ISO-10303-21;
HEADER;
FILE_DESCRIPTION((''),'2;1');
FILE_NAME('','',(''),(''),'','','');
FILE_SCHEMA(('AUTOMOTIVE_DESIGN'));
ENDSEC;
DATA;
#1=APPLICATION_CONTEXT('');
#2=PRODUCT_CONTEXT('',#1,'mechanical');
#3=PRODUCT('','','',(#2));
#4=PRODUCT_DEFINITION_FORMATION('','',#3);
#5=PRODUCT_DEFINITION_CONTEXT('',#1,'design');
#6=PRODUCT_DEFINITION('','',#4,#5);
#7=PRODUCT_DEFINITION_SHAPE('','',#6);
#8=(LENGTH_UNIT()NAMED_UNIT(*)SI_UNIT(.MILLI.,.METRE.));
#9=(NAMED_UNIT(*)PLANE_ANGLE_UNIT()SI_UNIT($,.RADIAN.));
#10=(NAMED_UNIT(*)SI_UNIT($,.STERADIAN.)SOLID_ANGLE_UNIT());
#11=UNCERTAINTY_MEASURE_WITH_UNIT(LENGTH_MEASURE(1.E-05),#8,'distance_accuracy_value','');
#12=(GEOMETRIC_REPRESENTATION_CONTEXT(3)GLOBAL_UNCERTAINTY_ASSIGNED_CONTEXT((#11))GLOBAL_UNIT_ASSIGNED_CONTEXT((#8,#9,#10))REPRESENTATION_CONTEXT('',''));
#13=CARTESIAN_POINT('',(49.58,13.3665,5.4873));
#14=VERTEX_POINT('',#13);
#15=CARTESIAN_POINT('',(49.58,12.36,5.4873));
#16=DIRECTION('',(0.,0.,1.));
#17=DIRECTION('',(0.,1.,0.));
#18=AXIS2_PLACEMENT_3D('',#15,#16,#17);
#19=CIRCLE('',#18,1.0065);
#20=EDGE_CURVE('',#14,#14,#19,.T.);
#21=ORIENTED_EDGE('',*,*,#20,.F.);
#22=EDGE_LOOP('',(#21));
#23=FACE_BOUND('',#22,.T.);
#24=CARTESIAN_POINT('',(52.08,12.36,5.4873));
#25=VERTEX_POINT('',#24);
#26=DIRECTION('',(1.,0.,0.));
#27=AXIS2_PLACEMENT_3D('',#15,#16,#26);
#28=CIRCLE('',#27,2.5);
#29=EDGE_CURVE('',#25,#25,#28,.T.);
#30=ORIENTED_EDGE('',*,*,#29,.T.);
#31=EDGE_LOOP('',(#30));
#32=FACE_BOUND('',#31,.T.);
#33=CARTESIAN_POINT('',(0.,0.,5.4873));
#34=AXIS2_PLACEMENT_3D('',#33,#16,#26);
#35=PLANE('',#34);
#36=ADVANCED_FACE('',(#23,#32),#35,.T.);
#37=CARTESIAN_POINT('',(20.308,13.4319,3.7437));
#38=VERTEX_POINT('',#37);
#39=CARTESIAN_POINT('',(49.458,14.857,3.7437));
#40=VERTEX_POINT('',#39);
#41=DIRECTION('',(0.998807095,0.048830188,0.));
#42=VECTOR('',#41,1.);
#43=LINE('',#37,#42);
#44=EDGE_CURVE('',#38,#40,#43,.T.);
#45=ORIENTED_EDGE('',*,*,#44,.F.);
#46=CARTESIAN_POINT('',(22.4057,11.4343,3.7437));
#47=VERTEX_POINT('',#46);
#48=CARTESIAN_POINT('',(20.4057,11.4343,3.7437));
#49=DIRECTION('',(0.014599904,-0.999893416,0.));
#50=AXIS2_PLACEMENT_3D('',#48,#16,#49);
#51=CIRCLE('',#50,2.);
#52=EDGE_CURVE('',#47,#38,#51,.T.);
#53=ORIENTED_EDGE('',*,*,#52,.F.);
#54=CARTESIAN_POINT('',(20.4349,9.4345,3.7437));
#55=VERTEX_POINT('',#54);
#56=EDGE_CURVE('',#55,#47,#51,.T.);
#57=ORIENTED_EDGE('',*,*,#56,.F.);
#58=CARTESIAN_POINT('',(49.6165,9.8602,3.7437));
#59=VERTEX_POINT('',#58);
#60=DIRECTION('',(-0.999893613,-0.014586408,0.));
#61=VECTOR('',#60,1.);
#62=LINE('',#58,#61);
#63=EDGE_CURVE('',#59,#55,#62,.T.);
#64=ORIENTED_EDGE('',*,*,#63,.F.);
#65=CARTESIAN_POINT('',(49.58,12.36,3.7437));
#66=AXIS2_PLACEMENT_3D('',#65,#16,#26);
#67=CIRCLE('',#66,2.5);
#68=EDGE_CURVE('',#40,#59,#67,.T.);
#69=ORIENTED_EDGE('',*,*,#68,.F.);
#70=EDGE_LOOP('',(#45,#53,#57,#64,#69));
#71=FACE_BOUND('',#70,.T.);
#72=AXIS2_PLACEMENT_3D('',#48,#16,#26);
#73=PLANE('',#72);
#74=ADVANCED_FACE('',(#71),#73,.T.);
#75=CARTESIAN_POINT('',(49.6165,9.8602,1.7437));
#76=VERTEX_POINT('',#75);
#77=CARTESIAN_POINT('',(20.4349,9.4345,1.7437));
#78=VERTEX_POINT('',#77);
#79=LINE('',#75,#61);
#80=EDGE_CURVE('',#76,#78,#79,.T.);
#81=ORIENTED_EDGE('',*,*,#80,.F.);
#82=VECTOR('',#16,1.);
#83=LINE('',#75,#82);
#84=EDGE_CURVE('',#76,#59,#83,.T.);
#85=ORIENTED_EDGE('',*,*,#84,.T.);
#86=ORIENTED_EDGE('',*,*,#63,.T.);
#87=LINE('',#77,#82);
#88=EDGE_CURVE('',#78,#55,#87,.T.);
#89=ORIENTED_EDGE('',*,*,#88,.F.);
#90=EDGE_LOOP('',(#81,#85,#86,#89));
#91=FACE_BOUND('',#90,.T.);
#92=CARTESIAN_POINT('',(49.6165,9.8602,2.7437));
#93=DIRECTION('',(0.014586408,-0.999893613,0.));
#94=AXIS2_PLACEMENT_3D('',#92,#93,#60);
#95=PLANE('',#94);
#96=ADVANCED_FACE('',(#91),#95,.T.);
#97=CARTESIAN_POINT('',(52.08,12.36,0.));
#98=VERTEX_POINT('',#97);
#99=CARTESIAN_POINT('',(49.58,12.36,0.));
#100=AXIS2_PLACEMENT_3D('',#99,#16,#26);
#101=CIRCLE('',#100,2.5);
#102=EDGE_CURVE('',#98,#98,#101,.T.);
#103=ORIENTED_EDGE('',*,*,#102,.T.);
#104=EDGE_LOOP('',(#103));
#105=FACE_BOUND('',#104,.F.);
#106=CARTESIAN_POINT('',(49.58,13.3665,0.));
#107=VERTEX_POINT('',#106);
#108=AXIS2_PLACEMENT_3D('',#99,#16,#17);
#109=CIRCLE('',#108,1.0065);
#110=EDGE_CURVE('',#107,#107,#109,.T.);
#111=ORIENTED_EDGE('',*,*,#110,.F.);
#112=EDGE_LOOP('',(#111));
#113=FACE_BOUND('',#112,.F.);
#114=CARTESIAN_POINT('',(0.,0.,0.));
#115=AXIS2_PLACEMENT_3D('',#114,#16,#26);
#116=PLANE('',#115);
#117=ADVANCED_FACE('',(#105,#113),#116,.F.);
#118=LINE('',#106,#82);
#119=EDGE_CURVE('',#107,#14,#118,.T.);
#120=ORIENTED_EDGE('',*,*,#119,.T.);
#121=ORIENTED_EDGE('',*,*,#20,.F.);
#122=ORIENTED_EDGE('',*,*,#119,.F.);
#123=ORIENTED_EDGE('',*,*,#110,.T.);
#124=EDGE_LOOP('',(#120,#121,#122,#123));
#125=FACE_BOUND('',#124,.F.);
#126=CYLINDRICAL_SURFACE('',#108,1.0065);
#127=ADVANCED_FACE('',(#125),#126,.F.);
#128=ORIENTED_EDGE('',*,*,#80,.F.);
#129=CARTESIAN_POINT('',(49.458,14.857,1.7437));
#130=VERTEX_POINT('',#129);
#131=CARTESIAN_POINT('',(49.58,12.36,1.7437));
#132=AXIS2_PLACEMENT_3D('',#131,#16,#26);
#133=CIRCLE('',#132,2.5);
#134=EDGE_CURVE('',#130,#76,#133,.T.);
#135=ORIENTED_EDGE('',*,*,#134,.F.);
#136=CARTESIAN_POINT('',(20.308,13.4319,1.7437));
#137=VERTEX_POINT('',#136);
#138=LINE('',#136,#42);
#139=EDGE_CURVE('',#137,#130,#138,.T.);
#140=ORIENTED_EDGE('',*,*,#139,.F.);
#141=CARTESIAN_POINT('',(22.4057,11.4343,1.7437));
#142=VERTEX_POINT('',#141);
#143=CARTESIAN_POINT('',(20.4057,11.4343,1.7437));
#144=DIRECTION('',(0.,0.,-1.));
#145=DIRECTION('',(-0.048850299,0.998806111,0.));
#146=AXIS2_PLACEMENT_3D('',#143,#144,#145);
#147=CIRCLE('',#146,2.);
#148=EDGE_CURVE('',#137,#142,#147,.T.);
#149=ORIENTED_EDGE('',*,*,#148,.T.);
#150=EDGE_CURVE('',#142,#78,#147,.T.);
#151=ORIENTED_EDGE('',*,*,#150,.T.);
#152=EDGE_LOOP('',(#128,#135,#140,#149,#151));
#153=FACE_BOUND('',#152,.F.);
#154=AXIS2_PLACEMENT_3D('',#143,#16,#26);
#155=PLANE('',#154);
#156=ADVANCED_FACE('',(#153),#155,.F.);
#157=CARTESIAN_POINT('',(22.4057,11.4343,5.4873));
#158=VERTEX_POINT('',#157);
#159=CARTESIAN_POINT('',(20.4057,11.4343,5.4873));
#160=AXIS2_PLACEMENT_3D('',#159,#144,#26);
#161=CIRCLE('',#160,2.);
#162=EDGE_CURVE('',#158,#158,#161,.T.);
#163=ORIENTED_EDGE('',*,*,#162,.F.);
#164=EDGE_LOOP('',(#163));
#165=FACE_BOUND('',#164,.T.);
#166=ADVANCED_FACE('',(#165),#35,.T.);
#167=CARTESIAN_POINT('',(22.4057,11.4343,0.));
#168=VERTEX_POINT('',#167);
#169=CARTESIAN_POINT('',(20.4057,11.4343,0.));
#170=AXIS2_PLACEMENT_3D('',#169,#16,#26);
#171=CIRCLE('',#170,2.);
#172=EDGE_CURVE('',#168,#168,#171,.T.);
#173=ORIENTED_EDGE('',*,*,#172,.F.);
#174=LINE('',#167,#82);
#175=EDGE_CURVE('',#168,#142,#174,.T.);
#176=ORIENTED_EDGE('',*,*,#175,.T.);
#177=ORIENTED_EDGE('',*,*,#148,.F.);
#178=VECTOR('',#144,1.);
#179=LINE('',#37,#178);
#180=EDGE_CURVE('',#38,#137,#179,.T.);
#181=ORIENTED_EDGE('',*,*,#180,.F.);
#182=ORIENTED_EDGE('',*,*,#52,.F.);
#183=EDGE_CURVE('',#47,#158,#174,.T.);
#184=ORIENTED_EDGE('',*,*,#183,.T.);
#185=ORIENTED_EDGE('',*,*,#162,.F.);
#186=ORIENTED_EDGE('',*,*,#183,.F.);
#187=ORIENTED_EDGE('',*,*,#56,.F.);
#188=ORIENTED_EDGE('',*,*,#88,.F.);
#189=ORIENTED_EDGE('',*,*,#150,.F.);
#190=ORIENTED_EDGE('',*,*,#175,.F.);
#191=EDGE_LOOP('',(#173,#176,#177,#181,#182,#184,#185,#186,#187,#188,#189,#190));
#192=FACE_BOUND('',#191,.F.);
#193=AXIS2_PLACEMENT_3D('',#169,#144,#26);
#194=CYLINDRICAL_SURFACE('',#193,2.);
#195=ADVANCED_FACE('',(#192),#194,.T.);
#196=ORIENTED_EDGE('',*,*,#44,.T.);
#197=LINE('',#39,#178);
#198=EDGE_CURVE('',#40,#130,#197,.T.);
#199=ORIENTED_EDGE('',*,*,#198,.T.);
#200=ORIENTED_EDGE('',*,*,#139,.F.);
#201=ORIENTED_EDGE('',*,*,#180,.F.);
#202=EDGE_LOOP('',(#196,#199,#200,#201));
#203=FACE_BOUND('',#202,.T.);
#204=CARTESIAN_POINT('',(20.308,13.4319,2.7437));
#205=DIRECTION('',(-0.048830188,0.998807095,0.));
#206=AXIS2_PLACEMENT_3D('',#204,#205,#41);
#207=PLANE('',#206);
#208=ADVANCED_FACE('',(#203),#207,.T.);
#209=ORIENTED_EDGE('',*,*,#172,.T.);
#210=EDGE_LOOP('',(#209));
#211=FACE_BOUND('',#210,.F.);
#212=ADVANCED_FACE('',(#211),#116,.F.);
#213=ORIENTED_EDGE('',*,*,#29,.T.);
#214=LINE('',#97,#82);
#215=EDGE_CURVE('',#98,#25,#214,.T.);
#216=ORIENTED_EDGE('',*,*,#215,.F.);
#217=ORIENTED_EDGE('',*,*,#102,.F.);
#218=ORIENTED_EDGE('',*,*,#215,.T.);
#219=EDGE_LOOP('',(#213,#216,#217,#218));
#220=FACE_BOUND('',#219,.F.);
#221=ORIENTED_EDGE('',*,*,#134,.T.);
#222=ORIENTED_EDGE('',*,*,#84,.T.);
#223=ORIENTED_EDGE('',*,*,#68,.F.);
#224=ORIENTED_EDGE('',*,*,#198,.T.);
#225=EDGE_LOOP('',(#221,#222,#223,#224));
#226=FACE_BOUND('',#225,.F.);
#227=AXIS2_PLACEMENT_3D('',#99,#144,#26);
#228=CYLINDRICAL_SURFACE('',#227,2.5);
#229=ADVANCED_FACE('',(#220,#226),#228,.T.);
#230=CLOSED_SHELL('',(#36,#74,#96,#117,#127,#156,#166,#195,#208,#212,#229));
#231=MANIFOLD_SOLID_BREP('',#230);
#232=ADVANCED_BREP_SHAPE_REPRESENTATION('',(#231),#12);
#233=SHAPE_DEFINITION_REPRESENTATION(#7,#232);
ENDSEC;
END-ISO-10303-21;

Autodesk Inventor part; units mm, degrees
ref_plane "YZ Plane" through (0, 0, 0) normal (1, 0, 0) x (0, 1, 0)
sketch "Sketch4" plane through (0, 0, 0) normal (0, 0, 1) x (1, 0, 0)
  circle A0 centre (49.58, 12.36) radius 1.25 projected
  circle A1 centre (49.58, -8.84) radius 1.25 projected
  line L0 (43.38, -11.54) -> (43.38, 15.06) projected
  line L1 (43.38, 15.06) -> (16.78, 15.06) projected
  line L2 (16.78, 15.06) -> (16.78, -11.54) projected
  line L3 (16.78, -11.54) -> (43.38, -11.54) projected
  line L4 (41.7543, -9.9143) -> (18.4057, -9.9143) projected
  line L5 (18.4057, -9.9143) -> (18.4057, 13.4343) projected
  line L6 (18.4057, 13.4343) -> (41.7543, 13.4343) projected
  line L7 (41.7543, 13.4343) -> (41.7543, -9.9143) projected
  circle A2 centre (20.4057, 11.4343) radius 2
  circle A3 centre (49.58, 12.36) radius 2.5
  point P0 (0, 0)
  dimension "d8" = 4
  dimension "d9" = 5
ref_plane "Work Plane3" through (16.78, -11.54, 5.4873) normal (0, 0, -1) x (0, 1, 0)
extrude "Extrusion3" add sketch "Sketch4" along normal up to surface (5.4873 mm away) contours A0 | A2 | A3
ref_plane "Work Plane4" through (20.4057, 11.4343, 2.7437) normal (0, 0, 1) x (1, 0, 0)
sketch "Sketch5" plane through (20.4057, 11.4343, 2.7437) normal (0, 0, 1) x (1, 0, 0)
  circle A0 centre (0, 0) radius 2 projected
  circle A1 centre (29.1743, 0.9257) radius 2.5 projected
  line L0 (-0.0977, 1.9976) -> (29.0523, 3.4227)
  circle A2 centre (29.1743, 0.9257) radius 2.5 projected
  line L1 (29.2108, -1.5741) -> (0.0292, -1.9998)
  point P0 (-20.4057, -11.4343)
  point P1 (29.0523, 3.4227)
extrude "Extrusion4" add sketch "Sketch5" along normal mid plane 2 contours A0 L0 A1 L1
sketch "Sketch6" plane through (49.58, 12.36, 0) normal (0, 0, -1) x (-1, 0, 0)
  circle A0 centre (0, 0) radius 2.5 projected
  point P0 (49.58, -12.36)
hole "Hole1" at (49.58, 12.36, 0) direction (0, 0, 1) diameter 2.013 end through all thread size "M2.5x0.45" class "6H" standard "ISO Metric profile"
properties part number "DualPMTController.ScreenSpacer"
